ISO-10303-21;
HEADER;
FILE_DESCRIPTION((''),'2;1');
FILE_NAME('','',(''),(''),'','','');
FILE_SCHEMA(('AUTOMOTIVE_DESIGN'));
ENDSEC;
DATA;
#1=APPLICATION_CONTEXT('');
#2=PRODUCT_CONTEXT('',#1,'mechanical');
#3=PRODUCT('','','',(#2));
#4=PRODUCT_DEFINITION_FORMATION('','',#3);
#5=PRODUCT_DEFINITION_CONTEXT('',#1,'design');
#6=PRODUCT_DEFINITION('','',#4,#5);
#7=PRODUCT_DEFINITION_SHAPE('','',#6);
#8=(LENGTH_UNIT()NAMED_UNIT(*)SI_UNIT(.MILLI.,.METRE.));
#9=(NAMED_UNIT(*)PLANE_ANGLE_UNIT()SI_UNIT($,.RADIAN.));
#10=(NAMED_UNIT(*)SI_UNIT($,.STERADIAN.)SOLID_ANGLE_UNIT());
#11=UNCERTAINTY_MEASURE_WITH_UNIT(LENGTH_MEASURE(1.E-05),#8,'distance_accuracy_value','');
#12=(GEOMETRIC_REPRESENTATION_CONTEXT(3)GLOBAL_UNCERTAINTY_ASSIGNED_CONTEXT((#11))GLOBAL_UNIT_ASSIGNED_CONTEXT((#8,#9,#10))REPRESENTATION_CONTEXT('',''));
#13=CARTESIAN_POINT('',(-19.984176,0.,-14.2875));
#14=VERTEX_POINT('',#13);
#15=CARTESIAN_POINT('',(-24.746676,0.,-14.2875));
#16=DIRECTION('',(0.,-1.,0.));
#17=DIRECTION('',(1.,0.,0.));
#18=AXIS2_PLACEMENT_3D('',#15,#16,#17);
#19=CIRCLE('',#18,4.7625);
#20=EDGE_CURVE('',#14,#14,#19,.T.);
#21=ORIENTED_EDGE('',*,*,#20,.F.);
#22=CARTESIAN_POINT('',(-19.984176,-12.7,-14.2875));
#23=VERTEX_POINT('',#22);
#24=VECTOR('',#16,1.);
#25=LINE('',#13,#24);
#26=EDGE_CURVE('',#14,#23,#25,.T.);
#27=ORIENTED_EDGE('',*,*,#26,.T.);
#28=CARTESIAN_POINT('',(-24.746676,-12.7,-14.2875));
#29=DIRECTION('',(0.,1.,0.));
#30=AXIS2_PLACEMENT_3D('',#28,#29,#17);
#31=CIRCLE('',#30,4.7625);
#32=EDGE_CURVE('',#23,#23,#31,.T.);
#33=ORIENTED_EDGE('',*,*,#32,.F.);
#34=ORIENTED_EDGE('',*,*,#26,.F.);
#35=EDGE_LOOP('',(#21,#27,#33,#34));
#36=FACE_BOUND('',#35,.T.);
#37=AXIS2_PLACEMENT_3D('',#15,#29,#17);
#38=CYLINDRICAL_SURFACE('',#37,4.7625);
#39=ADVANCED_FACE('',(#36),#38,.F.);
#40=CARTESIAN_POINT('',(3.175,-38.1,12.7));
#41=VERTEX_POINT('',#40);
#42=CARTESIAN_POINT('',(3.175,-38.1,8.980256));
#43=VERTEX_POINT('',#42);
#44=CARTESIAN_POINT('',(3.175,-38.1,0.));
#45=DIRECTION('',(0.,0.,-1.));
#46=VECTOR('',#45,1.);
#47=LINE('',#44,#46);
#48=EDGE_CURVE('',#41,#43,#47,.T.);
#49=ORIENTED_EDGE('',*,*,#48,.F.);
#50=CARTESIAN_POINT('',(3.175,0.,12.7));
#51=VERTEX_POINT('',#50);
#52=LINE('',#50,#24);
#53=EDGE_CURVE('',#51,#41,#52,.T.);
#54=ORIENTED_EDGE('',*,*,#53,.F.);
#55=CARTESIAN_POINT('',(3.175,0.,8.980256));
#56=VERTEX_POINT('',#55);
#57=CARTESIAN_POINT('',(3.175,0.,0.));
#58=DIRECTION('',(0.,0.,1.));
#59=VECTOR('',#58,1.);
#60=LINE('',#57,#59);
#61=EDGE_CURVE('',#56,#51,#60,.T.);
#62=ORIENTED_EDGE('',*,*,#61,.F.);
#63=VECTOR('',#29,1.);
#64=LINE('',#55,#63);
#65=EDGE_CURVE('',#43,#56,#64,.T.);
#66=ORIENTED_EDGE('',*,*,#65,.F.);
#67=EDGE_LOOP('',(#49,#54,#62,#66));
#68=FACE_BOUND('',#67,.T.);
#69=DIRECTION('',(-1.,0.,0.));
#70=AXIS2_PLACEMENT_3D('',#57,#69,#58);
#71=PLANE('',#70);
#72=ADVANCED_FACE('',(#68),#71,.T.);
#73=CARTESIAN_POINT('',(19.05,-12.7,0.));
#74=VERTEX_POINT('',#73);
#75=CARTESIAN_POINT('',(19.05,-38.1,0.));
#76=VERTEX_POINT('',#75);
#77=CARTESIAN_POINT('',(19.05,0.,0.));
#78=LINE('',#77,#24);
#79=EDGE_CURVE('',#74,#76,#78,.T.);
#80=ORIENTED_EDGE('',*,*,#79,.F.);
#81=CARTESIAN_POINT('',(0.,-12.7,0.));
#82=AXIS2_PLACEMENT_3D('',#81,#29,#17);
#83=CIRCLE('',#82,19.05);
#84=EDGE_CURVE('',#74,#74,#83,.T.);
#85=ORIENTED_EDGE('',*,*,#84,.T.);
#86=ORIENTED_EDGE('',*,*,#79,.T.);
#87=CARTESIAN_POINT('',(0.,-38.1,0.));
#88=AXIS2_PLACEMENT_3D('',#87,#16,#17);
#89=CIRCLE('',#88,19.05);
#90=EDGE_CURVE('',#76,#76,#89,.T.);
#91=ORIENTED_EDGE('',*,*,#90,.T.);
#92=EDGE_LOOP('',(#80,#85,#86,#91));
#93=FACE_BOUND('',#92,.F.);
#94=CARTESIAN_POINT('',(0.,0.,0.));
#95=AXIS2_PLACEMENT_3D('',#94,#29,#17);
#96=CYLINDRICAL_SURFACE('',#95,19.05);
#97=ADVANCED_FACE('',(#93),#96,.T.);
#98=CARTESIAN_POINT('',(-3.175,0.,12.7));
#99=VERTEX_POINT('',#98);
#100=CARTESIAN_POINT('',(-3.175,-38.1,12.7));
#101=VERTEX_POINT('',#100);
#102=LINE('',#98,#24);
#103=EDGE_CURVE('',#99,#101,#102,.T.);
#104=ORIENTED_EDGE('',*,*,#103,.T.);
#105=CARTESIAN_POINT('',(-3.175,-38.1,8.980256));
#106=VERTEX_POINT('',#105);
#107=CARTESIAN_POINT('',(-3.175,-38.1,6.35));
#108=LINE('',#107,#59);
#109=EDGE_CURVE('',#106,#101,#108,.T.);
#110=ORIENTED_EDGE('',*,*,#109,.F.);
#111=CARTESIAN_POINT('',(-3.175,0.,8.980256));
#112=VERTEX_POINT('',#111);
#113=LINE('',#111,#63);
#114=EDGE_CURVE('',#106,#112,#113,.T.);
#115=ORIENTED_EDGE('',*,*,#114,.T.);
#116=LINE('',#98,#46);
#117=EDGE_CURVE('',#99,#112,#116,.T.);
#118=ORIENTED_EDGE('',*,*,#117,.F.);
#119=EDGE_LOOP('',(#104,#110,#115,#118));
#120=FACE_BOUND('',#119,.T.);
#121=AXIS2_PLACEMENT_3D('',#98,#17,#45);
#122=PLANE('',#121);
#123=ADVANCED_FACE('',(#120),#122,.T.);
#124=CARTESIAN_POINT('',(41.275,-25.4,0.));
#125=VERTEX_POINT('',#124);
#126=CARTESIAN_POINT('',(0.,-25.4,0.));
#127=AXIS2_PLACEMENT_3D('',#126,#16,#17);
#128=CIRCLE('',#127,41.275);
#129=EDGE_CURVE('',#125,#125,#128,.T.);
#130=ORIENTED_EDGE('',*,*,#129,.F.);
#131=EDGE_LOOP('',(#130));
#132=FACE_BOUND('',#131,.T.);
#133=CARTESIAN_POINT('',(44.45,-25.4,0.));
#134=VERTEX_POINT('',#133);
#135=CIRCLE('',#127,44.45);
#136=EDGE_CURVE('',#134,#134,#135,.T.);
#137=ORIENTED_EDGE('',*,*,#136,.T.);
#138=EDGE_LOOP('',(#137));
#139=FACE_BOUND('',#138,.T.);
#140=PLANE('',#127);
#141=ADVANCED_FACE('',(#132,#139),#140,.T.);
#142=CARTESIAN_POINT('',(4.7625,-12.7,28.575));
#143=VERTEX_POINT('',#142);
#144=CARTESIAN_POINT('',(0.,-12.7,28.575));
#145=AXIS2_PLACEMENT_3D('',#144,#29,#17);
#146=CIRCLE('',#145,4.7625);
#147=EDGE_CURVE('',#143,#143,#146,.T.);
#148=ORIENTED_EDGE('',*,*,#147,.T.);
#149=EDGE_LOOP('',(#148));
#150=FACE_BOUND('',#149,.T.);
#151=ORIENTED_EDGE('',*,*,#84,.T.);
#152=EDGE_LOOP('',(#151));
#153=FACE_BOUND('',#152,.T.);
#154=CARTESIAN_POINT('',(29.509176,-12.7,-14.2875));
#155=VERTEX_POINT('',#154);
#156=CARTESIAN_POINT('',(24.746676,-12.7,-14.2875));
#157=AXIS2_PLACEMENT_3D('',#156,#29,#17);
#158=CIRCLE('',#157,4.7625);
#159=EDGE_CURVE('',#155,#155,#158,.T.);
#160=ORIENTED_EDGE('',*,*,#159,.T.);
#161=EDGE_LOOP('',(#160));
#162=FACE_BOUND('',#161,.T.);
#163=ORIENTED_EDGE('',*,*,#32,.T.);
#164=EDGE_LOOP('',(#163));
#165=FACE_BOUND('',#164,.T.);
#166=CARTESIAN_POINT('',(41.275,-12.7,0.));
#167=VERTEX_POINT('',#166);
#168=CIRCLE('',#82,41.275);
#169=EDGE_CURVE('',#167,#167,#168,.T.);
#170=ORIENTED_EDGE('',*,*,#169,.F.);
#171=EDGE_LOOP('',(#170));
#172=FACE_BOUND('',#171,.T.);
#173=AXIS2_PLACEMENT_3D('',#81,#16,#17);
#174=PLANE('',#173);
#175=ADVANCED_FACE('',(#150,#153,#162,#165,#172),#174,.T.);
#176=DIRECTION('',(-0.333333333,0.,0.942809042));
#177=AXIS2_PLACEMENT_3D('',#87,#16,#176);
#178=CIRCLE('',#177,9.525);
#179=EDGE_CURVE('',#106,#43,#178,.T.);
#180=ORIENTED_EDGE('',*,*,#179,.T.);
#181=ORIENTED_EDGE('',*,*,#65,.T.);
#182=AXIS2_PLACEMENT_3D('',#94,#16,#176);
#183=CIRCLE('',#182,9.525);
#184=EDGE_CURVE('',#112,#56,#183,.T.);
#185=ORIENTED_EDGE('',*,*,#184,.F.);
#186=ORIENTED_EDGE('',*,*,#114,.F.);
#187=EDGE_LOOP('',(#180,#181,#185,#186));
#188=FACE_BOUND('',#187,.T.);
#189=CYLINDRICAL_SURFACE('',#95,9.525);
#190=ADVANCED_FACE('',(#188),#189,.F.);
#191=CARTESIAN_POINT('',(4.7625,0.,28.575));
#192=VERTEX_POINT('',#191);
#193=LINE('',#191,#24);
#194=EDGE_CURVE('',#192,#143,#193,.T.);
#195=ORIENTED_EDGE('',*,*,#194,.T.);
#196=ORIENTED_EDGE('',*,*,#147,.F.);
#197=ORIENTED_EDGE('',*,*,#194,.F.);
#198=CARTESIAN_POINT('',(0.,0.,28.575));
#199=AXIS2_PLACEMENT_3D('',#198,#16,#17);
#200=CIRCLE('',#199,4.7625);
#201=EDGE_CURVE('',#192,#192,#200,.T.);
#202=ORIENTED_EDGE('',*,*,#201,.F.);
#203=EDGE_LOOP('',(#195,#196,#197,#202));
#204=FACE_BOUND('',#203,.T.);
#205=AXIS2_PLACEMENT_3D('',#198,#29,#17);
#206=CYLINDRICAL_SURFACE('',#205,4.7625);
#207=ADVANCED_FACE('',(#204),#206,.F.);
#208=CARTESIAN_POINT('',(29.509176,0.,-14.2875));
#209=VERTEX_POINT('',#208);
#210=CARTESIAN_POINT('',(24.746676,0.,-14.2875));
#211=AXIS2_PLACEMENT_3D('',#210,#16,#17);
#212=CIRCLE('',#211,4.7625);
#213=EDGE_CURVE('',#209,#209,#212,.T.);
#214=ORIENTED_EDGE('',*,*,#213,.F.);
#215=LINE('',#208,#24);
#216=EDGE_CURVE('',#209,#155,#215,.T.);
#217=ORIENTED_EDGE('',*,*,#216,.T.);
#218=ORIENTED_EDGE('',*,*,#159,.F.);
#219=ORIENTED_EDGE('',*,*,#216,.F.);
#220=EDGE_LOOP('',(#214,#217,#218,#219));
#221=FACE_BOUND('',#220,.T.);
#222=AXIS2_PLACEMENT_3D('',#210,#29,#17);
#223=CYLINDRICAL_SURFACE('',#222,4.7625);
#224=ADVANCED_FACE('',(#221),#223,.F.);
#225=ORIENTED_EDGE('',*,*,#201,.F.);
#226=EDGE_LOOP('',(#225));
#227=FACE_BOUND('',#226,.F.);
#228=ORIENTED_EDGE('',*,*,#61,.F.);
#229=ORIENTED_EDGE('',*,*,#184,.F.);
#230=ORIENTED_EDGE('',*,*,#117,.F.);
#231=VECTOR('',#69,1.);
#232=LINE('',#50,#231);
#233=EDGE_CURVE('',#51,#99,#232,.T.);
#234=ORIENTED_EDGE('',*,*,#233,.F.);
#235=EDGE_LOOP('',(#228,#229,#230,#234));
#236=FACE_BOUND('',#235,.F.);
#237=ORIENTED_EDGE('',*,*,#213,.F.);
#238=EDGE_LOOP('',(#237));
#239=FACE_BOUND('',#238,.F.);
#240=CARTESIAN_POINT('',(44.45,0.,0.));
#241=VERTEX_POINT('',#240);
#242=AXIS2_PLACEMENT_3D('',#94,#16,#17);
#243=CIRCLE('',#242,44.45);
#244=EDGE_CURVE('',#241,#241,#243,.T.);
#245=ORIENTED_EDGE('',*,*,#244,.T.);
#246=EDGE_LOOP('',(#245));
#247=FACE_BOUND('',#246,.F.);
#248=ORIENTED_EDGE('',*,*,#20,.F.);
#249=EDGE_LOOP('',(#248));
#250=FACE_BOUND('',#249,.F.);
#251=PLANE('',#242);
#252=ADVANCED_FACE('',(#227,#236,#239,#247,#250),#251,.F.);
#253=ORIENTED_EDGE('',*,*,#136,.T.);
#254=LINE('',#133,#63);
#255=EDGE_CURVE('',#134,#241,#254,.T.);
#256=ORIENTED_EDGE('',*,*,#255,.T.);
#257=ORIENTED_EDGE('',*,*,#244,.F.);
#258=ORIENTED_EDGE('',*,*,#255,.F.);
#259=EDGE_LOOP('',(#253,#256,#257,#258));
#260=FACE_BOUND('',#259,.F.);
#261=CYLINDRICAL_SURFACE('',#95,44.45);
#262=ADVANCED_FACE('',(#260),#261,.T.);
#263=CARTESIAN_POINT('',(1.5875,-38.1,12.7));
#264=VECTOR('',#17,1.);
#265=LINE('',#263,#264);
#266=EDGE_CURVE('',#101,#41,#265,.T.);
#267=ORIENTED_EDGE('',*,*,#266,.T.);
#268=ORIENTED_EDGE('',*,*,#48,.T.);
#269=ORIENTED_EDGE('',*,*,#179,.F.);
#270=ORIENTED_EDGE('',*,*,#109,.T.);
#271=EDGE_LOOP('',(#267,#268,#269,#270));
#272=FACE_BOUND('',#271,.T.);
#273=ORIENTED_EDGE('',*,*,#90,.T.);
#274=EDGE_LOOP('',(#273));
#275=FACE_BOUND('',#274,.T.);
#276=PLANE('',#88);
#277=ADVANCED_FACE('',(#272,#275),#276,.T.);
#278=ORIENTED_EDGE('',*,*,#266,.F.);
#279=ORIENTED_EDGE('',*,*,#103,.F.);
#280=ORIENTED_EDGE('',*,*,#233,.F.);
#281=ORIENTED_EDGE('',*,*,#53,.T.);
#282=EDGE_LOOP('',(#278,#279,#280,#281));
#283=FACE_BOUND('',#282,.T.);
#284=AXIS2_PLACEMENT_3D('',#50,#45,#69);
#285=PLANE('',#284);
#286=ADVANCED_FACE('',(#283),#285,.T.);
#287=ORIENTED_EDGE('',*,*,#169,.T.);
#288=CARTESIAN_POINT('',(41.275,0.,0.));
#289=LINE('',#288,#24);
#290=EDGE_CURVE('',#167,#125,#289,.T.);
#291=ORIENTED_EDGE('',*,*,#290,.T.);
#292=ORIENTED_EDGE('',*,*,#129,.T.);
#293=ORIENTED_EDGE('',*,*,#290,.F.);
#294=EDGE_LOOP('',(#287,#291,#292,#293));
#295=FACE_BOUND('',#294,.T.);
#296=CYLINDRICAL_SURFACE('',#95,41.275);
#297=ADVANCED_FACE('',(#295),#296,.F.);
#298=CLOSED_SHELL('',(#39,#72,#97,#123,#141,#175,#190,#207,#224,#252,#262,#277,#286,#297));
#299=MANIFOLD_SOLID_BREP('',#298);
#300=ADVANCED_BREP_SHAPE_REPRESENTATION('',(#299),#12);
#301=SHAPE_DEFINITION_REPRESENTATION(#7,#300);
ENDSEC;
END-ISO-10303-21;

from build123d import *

# Parameters (mm, degrees)
F0_R      = 44.45
F1_DEPTH  = 12.7
F2_R      = 19.05
F3_DEPTH  = 38.1
F4_R      = 9.525
F5_DEPTH  = 38.101
F7_DEPTH  = 38.101
F8_R      = 4.7625
F9_DEPTH  = 38.101
F10_R     = 44.45
F10_R_2   = 41.275
F11_DEPTH = 25.4


with BuildPart() as f1:
    # F0 (on Front) → F1 (new body)
    with BuildSketch(Plane.XZ):
        Circle(F0_R)
    extrude(amount=F1_DEPTH)

    # F2 (on Front) → F3 (join)
    with BuildSketch(Plane.XZ):
        Circle(F2_R)
    extrude(amount=F3_DEPTH)

    # F4 (on Front) → F5 (cut, through all)
    with BuildSketch(Plane.XZ):
        Circle(F4_R)
    extrude(amount=F5_DEPTH, mode=Mode.SUBTRACT)

    # F6 (on Front) → F7 (cut, through all)
    with BuildSketch(Plane.XZ):
        Polygon((-3.175, 0), (0, 0), (3.175, 0), (3.175, 12.7), (0, 12.7), (-3.175, 12.7), align=None)
    extrude(amount=F7_DEPTH, mode=Mode.SUBTRACT)

    # F8 (on Front) → F9 (cut, through all)
    with BuildSketch(Plane.XZ):
        with Locations((0, 28.575)):
            Circle(F8_R)
        with Locations((-24.746676, -14.2875)):
            Circle(F8_R)
        with Locations((24.746676, -14.2875)):
            Circle(F8_R)
    extrude(amount=F9_DEPTH, mode=Mode.SUBTRACT)

    # F10 (on Front) → F11 (join)
    with BuildSketch(Plane.XZ):
        Circle(F10_R)
        Circle(F10_R_2, mode=Mode.SUBTRACT)
    extrude(amount=F11_DEPTH)


solid = f1.part
